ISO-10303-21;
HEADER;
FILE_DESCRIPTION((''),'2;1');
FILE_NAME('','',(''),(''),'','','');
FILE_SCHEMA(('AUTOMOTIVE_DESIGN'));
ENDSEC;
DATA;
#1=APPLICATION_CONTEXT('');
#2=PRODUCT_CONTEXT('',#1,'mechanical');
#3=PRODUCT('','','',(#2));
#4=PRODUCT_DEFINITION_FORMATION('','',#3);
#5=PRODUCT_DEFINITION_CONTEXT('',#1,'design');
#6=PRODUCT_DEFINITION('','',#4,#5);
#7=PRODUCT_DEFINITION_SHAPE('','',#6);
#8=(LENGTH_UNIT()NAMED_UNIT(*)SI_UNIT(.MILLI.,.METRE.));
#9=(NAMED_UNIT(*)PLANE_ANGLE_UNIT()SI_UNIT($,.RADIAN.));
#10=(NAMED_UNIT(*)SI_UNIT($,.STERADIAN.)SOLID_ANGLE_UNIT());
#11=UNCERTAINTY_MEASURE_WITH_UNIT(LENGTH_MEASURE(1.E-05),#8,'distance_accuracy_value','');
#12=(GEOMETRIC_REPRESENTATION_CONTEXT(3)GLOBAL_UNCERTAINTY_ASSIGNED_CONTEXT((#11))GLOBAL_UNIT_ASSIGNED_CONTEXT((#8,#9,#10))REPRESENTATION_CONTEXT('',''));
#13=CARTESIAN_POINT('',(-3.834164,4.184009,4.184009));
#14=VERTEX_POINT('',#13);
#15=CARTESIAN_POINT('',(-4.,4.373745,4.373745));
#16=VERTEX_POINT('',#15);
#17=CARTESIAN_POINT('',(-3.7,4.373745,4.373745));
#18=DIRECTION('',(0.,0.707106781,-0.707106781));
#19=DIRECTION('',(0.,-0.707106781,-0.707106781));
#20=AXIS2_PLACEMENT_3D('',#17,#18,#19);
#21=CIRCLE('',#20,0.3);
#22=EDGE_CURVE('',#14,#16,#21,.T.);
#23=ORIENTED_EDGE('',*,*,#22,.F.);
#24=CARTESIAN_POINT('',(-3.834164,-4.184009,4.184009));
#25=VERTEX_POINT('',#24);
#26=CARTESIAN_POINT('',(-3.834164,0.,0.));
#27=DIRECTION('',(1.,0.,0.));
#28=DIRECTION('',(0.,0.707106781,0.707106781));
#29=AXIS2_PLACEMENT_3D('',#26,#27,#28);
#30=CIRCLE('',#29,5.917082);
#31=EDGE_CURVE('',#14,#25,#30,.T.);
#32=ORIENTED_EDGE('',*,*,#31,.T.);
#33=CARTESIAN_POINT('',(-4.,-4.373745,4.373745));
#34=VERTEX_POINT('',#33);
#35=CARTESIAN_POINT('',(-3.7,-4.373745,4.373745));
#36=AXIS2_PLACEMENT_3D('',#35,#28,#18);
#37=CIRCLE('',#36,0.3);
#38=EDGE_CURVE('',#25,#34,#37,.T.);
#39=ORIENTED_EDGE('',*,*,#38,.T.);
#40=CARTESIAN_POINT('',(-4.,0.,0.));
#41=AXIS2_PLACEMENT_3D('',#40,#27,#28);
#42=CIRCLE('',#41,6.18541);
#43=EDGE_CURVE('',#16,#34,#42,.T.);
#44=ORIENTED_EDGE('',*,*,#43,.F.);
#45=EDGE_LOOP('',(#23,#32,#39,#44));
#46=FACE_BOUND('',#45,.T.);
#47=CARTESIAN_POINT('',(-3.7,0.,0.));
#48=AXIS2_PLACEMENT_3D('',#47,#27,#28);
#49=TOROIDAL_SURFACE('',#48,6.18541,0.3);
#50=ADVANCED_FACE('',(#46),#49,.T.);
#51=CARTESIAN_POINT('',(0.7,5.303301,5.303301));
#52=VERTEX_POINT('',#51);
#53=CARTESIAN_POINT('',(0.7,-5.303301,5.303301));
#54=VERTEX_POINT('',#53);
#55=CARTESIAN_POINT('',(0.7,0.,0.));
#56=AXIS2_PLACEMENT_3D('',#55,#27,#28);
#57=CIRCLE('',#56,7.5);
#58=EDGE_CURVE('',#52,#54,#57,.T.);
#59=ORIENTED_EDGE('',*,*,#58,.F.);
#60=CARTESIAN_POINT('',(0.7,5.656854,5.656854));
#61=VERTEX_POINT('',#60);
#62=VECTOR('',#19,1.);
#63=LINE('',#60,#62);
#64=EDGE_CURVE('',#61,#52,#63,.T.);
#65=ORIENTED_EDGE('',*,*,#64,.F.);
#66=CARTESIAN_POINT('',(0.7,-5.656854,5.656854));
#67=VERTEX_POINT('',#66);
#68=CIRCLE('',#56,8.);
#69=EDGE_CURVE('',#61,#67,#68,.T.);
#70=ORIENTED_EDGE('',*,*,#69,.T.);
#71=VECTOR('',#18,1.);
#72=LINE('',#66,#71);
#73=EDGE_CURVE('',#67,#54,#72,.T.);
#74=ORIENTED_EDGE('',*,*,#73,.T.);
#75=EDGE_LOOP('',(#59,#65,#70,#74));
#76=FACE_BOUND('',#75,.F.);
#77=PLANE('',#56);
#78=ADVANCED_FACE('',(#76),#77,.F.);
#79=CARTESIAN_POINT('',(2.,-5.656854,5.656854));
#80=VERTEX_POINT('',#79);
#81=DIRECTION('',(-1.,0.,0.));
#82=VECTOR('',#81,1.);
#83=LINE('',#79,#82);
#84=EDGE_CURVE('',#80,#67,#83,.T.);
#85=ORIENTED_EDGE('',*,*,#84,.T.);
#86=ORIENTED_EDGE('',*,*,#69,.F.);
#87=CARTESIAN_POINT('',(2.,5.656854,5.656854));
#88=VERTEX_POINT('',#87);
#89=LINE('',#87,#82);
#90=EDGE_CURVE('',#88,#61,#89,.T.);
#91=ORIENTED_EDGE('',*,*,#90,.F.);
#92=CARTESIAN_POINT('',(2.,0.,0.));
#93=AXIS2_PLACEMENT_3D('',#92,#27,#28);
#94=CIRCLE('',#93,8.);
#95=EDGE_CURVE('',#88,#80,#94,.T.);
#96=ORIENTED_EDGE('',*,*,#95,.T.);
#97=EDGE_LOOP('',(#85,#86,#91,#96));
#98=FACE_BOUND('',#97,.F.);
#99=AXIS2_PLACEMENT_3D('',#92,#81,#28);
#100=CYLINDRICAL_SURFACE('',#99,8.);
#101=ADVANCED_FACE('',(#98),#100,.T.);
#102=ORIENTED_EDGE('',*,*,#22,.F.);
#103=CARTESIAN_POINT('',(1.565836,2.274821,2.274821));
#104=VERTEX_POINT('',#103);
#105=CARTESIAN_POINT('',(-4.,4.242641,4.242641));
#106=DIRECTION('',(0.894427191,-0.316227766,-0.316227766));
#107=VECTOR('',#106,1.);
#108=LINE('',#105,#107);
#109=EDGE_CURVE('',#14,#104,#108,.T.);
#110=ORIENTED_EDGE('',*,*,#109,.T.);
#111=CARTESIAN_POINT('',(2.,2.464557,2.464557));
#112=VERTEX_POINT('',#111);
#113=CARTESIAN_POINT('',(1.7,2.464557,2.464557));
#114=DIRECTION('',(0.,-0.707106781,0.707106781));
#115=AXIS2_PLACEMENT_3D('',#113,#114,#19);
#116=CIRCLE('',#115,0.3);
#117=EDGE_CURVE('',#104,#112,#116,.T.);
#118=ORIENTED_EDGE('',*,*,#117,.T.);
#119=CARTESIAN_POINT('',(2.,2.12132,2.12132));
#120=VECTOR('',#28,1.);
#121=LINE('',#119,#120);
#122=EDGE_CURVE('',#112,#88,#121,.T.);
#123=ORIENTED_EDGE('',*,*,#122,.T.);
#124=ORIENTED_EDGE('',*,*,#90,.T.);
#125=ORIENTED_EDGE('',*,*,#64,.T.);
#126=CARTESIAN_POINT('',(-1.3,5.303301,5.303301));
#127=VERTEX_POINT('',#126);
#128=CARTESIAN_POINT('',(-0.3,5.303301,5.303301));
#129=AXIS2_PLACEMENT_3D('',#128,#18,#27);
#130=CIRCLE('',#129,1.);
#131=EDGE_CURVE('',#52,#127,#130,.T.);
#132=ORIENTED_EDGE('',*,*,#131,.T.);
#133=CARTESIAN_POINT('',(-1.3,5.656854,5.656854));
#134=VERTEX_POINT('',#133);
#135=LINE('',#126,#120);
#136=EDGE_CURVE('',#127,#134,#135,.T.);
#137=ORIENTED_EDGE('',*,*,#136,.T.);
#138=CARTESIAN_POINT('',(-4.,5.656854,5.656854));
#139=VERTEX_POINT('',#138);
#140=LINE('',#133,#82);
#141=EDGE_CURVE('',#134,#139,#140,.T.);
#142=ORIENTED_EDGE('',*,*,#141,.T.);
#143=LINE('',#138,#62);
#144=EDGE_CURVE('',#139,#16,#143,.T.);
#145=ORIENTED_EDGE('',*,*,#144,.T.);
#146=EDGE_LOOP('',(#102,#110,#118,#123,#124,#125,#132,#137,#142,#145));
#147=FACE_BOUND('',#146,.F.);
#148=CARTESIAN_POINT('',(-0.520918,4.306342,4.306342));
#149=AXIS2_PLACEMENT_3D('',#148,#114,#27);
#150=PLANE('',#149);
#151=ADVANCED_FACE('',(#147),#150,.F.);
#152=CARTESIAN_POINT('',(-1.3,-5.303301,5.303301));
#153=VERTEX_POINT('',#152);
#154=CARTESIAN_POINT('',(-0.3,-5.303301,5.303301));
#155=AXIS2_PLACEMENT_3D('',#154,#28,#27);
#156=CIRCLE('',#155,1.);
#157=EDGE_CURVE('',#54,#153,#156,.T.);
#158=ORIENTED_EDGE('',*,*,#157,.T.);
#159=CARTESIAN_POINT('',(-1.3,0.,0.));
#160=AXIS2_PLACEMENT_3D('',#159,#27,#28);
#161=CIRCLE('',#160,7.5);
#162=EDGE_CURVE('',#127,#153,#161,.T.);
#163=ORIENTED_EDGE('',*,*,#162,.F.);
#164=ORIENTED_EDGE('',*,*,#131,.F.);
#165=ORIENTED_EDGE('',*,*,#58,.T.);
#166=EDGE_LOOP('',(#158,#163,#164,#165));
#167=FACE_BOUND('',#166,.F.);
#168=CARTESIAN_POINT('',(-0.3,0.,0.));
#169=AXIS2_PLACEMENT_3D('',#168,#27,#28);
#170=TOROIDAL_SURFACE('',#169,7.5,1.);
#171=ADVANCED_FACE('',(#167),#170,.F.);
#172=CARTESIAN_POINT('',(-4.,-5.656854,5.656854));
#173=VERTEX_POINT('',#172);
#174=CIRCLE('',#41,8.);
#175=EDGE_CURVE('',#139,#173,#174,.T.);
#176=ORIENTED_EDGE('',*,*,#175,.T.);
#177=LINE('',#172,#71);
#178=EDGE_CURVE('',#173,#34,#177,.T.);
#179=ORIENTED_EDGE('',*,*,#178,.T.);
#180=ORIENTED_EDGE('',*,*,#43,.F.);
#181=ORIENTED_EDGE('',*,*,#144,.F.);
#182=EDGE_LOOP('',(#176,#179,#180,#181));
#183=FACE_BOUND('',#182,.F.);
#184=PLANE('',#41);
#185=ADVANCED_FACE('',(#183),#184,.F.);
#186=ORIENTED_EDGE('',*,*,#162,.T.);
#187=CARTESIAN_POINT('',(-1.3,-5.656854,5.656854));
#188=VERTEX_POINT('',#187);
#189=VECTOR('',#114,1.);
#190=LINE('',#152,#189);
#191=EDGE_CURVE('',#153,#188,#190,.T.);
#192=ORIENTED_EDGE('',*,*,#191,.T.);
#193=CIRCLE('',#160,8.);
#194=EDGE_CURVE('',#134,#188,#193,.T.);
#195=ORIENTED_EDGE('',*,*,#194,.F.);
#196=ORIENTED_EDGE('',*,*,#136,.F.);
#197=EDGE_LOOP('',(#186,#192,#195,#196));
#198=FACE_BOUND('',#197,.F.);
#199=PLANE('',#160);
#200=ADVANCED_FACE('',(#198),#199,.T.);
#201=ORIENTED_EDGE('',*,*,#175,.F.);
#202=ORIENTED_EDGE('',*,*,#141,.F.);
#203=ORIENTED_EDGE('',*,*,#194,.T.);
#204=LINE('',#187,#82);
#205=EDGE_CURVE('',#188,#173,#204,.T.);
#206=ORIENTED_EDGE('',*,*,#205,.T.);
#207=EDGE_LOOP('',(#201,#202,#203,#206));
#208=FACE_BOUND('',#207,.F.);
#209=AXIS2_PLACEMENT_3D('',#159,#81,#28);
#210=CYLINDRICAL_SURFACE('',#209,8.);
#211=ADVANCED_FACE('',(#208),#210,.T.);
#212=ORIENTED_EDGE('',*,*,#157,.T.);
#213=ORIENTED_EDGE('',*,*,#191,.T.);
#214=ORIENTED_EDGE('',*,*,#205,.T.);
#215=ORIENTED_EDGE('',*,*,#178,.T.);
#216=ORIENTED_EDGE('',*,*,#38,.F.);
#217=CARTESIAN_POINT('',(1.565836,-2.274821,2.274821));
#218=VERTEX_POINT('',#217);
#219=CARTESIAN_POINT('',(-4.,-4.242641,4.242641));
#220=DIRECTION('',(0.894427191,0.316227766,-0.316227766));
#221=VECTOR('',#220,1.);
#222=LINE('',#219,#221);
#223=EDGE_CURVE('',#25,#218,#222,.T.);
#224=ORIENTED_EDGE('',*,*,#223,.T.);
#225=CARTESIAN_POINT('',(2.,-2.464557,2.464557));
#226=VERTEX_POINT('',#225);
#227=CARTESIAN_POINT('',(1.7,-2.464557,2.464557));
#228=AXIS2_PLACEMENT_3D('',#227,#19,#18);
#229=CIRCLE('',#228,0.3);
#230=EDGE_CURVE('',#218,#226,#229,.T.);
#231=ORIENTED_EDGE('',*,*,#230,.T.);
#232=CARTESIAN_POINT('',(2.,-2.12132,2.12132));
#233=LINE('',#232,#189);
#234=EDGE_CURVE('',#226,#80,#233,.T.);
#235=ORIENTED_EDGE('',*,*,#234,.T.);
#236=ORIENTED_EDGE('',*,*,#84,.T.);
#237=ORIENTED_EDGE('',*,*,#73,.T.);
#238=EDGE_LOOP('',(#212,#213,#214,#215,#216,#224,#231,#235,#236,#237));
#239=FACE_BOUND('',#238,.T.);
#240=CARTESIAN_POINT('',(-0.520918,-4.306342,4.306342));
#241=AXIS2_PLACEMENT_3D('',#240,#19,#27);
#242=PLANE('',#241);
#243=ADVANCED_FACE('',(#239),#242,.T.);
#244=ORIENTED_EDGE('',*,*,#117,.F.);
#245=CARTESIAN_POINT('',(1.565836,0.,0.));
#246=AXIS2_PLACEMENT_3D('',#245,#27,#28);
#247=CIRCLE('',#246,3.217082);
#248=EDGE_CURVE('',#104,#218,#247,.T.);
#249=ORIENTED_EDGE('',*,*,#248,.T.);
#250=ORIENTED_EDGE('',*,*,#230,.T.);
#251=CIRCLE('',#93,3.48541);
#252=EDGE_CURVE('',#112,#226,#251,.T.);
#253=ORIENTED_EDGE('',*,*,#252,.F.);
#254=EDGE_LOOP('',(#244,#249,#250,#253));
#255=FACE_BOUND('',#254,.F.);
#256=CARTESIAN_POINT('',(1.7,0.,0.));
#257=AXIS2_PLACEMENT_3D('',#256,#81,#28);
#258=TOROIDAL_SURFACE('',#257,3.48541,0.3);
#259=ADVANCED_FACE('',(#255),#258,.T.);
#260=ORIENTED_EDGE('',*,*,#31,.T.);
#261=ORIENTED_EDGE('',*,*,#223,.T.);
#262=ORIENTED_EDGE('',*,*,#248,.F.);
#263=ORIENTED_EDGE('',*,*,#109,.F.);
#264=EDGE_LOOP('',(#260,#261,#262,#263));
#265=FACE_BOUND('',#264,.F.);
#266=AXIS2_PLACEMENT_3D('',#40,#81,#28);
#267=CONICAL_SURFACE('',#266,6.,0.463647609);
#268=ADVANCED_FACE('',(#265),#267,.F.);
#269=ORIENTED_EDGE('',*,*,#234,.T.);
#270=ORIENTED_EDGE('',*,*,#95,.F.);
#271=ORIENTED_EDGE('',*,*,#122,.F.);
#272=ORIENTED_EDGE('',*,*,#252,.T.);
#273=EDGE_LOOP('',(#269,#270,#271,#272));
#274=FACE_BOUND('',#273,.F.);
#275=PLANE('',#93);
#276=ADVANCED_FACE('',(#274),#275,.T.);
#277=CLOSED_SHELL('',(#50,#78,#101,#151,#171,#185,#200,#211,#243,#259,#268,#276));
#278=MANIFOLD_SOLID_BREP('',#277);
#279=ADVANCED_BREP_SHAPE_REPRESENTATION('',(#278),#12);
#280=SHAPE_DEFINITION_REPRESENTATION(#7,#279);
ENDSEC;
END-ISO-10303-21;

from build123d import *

# Parameters (mm, degrees)
F1_ANGLE_BACK = 45
F1_ANGLE      = 90
F2_R          = 0.3


with BuildPart() as f1:
    # F0 (on Front) → F1 (revolve)
    with BuildSketch(Plane.XZ, mode=Mode.PRIVATE) as f1_sk:
        with BuildLine():
            Line((-4, 6), (0, 4))
            Line((0, 4), (2, 3))
            Line((2, 3), (2, 8))
            Line((2, 8), (0.7, 8))
            Line((0.7, 8), (0.7, 7.5))
            ThreePointArc((0.7, 7.5), (-0.3, 6.5), (-1.3, 7.5))
            Line((-1.3, 7.5), (-1.3, 8))
            Line((-1.3, 8), (-4, 8))
            Line((-4, 8), (-4, 6))
        make_face()
    revolve(f1_sk.sketch.rotate(Axis((1.3218939436, 0, 0), (1, 0, 0)), -F1_ANGLE_BACK), axis=Axis((1.3218939436, 0, 0), (1, 0, 0)), revolution_arc=F1_ANGLE)

    # F2
    f2_edges = [f1.edges().sort_by_distance(p)[0] for p in [
        (2, 0, 3),
        (-4, 0, 6),
    ]]
    fillet(f2_edges, radius=F2_R)


solid = f1.part
